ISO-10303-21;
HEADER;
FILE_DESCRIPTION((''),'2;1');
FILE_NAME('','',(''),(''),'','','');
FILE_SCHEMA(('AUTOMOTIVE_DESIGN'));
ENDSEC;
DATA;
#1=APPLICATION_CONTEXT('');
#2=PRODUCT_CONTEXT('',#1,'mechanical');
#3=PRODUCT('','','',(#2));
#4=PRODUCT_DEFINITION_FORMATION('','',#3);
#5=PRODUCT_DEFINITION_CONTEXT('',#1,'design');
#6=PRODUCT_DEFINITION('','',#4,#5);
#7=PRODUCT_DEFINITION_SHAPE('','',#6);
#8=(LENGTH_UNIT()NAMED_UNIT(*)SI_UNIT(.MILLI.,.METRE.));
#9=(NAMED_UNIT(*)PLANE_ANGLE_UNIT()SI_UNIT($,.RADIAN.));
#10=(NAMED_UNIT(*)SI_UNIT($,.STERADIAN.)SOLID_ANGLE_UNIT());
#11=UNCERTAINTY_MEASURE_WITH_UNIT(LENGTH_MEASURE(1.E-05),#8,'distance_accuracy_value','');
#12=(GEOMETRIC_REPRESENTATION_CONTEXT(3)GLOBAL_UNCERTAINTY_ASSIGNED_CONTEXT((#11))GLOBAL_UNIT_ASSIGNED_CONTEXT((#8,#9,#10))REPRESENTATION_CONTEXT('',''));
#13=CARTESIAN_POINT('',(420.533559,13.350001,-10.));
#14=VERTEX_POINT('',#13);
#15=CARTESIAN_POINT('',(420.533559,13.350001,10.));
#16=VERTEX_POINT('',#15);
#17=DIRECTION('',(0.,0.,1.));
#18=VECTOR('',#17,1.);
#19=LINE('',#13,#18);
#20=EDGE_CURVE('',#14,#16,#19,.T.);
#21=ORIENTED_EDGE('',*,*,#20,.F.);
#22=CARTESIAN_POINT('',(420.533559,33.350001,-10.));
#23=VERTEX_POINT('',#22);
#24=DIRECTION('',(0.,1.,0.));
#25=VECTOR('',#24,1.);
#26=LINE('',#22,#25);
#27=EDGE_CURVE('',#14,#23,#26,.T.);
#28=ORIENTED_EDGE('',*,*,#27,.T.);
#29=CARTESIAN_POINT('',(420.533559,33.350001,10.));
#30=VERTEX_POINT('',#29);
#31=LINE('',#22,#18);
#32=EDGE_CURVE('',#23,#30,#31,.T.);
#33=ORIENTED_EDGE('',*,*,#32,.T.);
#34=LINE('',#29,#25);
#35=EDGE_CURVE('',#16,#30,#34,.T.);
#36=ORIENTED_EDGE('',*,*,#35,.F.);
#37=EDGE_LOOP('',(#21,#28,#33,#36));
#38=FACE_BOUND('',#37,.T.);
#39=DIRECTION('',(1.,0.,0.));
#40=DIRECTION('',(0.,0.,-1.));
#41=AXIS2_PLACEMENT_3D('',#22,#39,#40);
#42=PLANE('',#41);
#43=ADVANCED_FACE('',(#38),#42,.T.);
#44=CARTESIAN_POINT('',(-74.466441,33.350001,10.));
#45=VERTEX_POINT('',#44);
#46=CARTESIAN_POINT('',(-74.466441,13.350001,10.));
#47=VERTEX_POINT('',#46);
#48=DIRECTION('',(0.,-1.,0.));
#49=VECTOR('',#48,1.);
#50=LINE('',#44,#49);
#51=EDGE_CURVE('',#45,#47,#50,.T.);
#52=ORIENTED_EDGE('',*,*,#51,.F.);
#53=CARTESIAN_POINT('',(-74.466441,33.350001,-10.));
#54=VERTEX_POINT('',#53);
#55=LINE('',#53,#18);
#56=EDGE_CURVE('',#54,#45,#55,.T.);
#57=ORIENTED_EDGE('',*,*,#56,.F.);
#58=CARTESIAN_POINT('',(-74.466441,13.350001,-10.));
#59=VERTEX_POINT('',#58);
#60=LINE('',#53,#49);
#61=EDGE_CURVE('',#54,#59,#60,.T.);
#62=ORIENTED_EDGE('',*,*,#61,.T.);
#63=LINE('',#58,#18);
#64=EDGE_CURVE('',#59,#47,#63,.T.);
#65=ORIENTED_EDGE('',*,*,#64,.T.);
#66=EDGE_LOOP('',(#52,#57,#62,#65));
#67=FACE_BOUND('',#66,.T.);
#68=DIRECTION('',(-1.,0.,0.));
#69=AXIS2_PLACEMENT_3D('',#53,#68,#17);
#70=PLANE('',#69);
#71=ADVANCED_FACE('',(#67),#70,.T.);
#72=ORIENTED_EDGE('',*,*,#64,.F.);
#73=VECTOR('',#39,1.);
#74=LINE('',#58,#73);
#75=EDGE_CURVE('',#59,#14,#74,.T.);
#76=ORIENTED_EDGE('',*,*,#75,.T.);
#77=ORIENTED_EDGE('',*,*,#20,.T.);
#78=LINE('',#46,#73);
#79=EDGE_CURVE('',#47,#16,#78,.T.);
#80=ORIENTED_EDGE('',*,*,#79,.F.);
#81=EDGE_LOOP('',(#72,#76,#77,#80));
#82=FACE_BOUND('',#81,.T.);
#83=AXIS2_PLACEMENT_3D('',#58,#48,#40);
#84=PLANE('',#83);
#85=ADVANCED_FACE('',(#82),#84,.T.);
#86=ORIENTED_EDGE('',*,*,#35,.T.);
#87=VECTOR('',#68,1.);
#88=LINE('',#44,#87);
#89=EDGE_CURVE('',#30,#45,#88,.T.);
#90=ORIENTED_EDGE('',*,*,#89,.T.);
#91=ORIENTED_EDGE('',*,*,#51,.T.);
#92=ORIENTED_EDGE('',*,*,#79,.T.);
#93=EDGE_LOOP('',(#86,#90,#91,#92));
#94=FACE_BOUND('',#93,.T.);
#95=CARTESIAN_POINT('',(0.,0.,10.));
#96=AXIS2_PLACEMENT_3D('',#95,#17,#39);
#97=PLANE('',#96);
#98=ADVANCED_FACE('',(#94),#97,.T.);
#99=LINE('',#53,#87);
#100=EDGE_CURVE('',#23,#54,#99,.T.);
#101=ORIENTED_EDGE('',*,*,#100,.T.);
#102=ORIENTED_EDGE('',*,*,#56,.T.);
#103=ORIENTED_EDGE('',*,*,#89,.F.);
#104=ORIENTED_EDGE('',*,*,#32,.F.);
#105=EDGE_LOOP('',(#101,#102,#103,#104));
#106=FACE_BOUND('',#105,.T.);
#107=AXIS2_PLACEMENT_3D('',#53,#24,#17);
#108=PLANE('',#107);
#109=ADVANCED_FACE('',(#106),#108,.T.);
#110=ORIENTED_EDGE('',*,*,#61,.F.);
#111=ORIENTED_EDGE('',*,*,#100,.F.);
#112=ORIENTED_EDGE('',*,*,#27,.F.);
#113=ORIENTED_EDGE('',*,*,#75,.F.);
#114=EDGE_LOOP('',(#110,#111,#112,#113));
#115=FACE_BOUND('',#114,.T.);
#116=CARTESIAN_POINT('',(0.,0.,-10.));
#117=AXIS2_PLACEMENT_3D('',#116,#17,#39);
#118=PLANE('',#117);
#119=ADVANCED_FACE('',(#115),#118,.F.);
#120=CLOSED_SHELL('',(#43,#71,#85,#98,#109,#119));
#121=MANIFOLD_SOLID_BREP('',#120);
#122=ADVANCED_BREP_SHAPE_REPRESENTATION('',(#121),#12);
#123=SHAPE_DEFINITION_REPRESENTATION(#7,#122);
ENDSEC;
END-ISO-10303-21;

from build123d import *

# Parameters (mm, degrees)
EXTRUDE_1_DEPTH      = 10
EXTRUDE_1_DEPTH_BACK = 10
SKETCH_1_W           = 495
SKETCH_1_H           = 20


with BuildPart() as part:
    # 草图1 → 凸台-拉伸1 (new, two sides: drawn at the far end of the back side and taken through both)
    with BuildSketch(Plane.XY.offset(-EXTRUDE_1_DEPTH_BACK)):
        with Locations((173.033559273, 23.350001062)):
            Rectangle(SKETCH_1_W, SKETCH_1_H)
    extrude(amount=EXTRUDE_1_DEPTH + EXTRUDE_1_DEPTH_BACK)


solid = part.part
